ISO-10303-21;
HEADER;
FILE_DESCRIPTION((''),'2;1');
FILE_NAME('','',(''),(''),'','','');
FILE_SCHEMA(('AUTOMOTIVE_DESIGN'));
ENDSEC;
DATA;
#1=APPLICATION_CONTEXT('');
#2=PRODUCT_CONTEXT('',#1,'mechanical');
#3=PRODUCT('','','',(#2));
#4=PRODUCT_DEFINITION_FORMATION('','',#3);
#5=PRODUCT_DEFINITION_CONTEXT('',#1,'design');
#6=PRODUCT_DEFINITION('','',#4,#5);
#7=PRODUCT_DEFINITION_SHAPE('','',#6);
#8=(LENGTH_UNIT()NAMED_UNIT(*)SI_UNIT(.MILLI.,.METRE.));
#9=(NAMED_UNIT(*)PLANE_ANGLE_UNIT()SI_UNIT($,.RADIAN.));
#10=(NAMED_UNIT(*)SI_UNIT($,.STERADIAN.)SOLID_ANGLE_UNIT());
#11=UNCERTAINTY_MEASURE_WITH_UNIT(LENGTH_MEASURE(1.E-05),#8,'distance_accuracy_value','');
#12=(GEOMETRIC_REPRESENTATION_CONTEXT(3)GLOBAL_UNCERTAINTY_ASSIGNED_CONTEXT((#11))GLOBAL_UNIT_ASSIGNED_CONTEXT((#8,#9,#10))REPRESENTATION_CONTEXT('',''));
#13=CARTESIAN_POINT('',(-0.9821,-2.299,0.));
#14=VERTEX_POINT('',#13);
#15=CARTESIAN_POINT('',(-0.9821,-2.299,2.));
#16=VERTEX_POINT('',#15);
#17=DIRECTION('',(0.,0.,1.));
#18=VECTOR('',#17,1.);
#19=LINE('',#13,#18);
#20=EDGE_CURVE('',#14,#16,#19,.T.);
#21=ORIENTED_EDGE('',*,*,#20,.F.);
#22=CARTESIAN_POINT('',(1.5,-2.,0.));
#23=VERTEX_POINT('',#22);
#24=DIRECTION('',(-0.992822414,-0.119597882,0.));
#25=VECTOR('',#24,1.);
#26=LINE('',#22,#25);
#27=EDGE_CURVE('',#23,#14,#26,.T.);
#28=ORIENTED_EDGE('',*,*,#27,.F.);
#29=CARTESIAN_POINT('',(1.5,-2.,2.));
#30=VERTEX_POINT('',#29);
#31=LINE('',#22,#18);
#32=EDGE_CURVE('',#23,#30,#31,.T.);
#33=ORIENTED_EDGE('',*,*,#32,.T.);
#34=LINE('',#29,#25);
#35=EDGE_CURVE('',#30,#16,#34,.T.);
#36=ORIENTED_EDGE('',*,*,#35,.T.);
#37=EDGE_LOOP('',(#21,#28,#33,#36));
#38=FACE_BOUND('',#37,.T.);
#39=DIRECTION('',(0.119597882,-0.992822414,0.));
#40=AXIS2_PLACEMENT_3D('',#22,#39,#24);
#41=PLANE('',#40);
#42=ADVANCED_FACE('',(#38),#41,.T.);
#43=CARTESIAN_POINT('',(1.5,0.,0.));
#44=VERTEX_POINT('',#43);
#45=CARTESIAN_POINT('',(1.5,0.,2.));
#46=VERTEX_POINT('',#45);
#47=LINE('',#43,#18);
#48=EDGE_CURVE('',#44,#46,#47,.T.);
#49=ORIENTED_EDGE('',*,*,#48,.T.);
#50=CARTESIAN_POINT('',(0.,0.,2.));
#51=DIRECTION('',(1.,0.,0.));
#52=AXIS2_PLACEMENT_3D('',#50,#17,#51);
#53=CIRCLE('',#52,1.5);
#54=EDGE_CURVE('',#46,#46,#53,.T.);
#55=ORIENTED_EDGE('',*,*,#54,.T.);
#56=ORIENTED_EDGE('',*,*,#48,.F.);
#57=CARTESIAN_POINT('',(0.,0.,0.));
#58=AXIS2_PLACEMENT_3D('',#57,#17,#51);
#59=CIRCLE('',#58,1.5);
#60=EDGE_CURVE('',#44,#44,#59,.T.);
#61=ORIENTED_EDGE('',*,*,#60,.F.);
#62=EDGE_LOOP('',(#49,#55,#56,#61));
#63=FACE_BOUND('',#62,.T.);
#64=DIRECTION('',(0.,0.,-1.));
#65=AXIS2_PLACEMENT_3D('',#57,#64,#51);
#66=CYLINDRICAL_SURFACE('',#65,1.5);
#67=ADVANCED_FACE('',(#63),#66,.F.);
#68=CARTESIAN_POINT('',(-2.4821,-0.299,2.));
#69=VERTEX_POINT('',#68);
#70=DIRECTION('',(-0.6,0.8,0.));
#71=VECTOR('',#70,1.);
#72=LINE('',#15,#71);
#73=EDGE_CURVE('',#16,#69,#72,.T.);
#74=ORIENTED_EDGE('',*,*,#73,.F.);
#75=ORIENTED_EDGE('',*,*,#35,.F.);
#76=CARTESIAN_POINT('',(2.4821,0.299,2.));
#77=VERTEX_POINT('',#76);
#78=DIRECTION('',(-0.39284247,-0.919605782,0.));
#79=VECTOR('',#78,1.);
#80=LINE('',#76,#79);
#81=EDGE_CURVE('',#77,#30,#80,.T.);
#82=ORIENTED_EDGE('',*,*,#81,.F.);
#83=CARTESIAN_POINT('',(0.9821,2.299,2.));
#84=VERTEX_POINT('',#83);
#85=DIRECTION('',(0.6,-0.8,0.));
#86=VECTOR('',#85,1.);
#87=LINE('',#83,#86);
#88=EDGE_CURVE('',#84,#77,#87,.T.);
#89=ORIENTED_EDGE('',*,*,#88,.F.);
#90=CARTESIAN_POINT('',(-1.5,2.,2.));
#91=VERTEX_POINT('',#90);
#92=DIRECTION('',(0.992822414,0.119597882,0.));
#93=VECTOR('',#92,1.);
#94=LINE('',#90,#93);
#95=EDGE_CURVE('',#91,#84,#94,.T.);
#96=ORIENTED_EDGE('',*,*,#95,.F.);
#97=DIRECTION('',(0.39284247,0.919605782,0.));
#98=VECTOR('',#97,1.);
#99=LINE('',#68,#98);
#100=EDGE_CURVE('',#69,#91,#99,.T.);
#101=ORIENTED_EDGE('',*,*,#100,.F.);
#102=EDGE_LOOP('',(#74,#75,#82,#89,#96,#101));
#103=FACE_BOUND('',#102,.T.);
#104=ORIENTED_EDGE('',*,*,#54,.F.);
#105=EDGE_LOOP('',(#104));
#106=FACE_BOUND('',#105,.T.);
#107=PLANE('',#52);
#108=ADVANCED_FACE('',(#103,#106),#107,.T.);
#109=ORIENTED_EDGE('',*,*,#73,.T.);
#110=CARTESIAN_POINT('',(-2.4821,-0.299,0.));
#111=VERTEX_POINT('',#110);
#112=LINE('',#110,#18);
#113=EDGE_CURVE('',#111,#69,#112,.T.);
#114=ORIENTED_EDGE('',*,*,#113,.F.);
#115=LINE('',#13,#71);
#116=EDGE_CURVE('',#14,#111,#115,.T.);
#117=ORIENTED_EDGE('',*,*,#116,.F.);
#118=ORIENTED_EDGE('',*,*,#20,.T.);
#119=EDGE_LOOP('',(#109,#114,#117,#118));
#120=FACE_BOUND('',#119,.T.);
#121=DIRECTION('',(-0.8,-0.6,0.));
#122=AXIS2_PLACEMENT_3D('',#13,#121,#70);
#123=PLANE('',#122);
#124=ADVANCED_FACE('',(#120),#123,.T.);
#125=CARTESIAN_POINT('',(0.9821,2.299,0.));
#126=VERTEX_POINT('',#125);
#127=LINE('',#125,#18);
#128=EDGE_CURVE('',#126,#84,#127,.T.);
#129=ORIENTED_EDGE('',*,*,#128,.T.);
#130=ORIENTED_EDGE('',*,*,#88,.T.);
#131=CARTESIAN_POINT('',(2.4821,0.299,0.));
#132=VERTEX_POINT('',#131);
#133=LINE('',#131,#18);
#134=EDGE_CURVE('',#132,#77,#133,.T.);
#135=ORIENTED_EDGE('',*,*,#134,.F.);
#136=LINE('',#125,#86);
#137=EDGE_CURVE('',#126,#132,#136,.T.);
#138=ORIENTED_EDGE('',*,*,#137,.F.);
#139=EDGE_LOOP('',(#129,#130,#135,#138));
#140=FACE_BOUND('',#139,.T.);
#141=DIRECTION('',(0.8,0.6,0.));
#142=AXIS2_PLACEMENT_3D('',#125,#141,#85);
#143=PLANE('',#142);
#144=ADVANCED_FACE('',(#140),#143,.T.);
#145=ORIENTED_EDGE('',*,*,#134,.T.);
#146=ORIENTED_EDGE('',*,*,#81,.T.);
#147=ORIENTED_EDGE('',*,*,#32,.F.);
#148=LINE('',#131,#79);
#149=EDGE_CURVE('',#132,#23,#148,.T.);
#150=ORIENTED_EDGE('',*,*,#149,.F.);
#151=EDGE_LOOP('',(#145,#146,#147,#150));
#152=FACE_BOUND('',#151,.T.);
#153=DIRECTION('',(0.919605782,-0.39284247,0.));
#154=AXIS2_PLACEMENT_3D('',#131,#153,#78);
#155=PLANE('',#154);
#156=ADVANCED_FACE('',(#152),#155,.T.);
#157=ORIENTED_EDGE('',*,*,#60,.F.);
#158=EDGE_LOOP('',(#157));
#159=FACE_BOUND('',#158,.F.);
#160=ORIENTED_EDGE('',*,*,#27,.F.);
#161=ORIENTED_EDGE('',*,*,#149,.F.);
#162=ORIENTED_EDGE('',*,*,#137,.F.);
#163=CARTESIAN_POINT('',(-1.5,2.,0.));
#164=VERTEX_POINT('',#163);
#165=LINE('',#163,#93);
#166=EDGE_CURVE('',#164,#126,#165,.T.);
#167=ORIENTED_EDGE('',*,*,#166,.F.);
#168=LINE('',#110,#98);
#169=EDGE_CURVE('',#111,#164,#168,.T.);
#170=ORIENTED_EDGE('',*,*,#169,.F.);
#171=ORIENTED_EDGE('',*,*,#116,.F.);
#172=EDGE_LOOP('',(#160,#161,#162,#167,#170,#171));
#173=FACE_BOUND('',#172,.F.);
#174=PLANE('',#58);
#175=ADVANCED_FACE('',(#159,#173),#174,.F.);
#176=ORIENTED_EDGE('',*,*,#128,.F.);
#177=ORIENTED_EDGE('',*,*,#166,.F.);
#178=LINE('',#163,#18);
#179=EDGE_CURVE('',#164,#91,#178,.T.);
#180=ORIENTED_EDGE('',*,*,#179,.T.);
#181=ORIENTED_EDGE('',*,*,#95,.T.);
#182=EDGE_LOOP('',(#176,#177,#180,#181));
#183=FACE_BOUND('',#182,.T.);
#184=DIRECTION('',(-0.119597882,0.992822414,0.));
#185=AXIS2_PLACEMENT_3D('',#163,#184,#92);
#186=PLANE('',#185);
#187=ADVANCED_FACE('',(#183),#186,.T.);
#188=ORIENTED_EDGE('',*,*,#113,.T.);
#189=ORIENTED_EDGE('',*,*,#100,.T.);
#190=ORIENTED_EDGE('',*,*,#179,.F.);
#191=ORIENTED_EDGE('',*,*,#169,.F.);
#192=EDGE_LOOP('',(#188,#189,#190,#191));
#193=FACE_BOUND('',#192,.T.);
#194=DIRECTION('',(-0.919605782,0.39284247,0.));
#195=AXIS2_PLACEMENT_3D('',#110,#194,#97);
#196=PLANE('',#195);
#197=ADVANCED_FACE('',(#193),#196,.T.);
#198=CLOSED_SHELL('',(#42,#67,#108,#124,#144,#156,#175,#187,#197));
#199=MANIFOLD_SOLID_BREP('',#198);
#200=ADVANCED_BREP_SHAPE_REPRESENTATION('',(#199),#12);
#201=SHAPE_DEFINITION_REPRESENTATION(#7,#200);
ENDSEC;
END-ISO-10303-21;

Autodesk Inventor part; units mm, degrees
ref_plane "YZ Plane" through (0, 0, 0) normal (1, 0, 0) x (0, 1, 0)
ref_plane "XZ Plane" through (0, 0, 0) normal (0, 1, 0) x (-1, 0, 0)
ref_plane "XY Plane" through (0, 0, 0) normal (0, 0, 1) x (1, 0, 0)
sketch "Sketch1" plane through (0, 0, 0) normal (0, 0, 1) x (1, 0, 0)
  circle A0 centre (0, 0) radius 1.5
  line L0 (-1.5, 2) -> (0.9821, 2.299)
  line L1 (0.9821, 2.299) -> (2.4821, 0.299)
  line L2 (2.4821, 0.299) -> (1.5, -2)
  line L3 (1.5, -2) -> (-0.9821, -2.299)
  line L4 (-0.9821, -2.299) -> (-2.4821, -0.299)
  line L5 (-2.4821, -0.299) -> (-1.5, 2)
  dimension "d0" = 3
extrude "Extrusion1" add sketch "Sketch1" along normal blind 2
properties part number "m3_nut" material "Steel, Galvanized"
